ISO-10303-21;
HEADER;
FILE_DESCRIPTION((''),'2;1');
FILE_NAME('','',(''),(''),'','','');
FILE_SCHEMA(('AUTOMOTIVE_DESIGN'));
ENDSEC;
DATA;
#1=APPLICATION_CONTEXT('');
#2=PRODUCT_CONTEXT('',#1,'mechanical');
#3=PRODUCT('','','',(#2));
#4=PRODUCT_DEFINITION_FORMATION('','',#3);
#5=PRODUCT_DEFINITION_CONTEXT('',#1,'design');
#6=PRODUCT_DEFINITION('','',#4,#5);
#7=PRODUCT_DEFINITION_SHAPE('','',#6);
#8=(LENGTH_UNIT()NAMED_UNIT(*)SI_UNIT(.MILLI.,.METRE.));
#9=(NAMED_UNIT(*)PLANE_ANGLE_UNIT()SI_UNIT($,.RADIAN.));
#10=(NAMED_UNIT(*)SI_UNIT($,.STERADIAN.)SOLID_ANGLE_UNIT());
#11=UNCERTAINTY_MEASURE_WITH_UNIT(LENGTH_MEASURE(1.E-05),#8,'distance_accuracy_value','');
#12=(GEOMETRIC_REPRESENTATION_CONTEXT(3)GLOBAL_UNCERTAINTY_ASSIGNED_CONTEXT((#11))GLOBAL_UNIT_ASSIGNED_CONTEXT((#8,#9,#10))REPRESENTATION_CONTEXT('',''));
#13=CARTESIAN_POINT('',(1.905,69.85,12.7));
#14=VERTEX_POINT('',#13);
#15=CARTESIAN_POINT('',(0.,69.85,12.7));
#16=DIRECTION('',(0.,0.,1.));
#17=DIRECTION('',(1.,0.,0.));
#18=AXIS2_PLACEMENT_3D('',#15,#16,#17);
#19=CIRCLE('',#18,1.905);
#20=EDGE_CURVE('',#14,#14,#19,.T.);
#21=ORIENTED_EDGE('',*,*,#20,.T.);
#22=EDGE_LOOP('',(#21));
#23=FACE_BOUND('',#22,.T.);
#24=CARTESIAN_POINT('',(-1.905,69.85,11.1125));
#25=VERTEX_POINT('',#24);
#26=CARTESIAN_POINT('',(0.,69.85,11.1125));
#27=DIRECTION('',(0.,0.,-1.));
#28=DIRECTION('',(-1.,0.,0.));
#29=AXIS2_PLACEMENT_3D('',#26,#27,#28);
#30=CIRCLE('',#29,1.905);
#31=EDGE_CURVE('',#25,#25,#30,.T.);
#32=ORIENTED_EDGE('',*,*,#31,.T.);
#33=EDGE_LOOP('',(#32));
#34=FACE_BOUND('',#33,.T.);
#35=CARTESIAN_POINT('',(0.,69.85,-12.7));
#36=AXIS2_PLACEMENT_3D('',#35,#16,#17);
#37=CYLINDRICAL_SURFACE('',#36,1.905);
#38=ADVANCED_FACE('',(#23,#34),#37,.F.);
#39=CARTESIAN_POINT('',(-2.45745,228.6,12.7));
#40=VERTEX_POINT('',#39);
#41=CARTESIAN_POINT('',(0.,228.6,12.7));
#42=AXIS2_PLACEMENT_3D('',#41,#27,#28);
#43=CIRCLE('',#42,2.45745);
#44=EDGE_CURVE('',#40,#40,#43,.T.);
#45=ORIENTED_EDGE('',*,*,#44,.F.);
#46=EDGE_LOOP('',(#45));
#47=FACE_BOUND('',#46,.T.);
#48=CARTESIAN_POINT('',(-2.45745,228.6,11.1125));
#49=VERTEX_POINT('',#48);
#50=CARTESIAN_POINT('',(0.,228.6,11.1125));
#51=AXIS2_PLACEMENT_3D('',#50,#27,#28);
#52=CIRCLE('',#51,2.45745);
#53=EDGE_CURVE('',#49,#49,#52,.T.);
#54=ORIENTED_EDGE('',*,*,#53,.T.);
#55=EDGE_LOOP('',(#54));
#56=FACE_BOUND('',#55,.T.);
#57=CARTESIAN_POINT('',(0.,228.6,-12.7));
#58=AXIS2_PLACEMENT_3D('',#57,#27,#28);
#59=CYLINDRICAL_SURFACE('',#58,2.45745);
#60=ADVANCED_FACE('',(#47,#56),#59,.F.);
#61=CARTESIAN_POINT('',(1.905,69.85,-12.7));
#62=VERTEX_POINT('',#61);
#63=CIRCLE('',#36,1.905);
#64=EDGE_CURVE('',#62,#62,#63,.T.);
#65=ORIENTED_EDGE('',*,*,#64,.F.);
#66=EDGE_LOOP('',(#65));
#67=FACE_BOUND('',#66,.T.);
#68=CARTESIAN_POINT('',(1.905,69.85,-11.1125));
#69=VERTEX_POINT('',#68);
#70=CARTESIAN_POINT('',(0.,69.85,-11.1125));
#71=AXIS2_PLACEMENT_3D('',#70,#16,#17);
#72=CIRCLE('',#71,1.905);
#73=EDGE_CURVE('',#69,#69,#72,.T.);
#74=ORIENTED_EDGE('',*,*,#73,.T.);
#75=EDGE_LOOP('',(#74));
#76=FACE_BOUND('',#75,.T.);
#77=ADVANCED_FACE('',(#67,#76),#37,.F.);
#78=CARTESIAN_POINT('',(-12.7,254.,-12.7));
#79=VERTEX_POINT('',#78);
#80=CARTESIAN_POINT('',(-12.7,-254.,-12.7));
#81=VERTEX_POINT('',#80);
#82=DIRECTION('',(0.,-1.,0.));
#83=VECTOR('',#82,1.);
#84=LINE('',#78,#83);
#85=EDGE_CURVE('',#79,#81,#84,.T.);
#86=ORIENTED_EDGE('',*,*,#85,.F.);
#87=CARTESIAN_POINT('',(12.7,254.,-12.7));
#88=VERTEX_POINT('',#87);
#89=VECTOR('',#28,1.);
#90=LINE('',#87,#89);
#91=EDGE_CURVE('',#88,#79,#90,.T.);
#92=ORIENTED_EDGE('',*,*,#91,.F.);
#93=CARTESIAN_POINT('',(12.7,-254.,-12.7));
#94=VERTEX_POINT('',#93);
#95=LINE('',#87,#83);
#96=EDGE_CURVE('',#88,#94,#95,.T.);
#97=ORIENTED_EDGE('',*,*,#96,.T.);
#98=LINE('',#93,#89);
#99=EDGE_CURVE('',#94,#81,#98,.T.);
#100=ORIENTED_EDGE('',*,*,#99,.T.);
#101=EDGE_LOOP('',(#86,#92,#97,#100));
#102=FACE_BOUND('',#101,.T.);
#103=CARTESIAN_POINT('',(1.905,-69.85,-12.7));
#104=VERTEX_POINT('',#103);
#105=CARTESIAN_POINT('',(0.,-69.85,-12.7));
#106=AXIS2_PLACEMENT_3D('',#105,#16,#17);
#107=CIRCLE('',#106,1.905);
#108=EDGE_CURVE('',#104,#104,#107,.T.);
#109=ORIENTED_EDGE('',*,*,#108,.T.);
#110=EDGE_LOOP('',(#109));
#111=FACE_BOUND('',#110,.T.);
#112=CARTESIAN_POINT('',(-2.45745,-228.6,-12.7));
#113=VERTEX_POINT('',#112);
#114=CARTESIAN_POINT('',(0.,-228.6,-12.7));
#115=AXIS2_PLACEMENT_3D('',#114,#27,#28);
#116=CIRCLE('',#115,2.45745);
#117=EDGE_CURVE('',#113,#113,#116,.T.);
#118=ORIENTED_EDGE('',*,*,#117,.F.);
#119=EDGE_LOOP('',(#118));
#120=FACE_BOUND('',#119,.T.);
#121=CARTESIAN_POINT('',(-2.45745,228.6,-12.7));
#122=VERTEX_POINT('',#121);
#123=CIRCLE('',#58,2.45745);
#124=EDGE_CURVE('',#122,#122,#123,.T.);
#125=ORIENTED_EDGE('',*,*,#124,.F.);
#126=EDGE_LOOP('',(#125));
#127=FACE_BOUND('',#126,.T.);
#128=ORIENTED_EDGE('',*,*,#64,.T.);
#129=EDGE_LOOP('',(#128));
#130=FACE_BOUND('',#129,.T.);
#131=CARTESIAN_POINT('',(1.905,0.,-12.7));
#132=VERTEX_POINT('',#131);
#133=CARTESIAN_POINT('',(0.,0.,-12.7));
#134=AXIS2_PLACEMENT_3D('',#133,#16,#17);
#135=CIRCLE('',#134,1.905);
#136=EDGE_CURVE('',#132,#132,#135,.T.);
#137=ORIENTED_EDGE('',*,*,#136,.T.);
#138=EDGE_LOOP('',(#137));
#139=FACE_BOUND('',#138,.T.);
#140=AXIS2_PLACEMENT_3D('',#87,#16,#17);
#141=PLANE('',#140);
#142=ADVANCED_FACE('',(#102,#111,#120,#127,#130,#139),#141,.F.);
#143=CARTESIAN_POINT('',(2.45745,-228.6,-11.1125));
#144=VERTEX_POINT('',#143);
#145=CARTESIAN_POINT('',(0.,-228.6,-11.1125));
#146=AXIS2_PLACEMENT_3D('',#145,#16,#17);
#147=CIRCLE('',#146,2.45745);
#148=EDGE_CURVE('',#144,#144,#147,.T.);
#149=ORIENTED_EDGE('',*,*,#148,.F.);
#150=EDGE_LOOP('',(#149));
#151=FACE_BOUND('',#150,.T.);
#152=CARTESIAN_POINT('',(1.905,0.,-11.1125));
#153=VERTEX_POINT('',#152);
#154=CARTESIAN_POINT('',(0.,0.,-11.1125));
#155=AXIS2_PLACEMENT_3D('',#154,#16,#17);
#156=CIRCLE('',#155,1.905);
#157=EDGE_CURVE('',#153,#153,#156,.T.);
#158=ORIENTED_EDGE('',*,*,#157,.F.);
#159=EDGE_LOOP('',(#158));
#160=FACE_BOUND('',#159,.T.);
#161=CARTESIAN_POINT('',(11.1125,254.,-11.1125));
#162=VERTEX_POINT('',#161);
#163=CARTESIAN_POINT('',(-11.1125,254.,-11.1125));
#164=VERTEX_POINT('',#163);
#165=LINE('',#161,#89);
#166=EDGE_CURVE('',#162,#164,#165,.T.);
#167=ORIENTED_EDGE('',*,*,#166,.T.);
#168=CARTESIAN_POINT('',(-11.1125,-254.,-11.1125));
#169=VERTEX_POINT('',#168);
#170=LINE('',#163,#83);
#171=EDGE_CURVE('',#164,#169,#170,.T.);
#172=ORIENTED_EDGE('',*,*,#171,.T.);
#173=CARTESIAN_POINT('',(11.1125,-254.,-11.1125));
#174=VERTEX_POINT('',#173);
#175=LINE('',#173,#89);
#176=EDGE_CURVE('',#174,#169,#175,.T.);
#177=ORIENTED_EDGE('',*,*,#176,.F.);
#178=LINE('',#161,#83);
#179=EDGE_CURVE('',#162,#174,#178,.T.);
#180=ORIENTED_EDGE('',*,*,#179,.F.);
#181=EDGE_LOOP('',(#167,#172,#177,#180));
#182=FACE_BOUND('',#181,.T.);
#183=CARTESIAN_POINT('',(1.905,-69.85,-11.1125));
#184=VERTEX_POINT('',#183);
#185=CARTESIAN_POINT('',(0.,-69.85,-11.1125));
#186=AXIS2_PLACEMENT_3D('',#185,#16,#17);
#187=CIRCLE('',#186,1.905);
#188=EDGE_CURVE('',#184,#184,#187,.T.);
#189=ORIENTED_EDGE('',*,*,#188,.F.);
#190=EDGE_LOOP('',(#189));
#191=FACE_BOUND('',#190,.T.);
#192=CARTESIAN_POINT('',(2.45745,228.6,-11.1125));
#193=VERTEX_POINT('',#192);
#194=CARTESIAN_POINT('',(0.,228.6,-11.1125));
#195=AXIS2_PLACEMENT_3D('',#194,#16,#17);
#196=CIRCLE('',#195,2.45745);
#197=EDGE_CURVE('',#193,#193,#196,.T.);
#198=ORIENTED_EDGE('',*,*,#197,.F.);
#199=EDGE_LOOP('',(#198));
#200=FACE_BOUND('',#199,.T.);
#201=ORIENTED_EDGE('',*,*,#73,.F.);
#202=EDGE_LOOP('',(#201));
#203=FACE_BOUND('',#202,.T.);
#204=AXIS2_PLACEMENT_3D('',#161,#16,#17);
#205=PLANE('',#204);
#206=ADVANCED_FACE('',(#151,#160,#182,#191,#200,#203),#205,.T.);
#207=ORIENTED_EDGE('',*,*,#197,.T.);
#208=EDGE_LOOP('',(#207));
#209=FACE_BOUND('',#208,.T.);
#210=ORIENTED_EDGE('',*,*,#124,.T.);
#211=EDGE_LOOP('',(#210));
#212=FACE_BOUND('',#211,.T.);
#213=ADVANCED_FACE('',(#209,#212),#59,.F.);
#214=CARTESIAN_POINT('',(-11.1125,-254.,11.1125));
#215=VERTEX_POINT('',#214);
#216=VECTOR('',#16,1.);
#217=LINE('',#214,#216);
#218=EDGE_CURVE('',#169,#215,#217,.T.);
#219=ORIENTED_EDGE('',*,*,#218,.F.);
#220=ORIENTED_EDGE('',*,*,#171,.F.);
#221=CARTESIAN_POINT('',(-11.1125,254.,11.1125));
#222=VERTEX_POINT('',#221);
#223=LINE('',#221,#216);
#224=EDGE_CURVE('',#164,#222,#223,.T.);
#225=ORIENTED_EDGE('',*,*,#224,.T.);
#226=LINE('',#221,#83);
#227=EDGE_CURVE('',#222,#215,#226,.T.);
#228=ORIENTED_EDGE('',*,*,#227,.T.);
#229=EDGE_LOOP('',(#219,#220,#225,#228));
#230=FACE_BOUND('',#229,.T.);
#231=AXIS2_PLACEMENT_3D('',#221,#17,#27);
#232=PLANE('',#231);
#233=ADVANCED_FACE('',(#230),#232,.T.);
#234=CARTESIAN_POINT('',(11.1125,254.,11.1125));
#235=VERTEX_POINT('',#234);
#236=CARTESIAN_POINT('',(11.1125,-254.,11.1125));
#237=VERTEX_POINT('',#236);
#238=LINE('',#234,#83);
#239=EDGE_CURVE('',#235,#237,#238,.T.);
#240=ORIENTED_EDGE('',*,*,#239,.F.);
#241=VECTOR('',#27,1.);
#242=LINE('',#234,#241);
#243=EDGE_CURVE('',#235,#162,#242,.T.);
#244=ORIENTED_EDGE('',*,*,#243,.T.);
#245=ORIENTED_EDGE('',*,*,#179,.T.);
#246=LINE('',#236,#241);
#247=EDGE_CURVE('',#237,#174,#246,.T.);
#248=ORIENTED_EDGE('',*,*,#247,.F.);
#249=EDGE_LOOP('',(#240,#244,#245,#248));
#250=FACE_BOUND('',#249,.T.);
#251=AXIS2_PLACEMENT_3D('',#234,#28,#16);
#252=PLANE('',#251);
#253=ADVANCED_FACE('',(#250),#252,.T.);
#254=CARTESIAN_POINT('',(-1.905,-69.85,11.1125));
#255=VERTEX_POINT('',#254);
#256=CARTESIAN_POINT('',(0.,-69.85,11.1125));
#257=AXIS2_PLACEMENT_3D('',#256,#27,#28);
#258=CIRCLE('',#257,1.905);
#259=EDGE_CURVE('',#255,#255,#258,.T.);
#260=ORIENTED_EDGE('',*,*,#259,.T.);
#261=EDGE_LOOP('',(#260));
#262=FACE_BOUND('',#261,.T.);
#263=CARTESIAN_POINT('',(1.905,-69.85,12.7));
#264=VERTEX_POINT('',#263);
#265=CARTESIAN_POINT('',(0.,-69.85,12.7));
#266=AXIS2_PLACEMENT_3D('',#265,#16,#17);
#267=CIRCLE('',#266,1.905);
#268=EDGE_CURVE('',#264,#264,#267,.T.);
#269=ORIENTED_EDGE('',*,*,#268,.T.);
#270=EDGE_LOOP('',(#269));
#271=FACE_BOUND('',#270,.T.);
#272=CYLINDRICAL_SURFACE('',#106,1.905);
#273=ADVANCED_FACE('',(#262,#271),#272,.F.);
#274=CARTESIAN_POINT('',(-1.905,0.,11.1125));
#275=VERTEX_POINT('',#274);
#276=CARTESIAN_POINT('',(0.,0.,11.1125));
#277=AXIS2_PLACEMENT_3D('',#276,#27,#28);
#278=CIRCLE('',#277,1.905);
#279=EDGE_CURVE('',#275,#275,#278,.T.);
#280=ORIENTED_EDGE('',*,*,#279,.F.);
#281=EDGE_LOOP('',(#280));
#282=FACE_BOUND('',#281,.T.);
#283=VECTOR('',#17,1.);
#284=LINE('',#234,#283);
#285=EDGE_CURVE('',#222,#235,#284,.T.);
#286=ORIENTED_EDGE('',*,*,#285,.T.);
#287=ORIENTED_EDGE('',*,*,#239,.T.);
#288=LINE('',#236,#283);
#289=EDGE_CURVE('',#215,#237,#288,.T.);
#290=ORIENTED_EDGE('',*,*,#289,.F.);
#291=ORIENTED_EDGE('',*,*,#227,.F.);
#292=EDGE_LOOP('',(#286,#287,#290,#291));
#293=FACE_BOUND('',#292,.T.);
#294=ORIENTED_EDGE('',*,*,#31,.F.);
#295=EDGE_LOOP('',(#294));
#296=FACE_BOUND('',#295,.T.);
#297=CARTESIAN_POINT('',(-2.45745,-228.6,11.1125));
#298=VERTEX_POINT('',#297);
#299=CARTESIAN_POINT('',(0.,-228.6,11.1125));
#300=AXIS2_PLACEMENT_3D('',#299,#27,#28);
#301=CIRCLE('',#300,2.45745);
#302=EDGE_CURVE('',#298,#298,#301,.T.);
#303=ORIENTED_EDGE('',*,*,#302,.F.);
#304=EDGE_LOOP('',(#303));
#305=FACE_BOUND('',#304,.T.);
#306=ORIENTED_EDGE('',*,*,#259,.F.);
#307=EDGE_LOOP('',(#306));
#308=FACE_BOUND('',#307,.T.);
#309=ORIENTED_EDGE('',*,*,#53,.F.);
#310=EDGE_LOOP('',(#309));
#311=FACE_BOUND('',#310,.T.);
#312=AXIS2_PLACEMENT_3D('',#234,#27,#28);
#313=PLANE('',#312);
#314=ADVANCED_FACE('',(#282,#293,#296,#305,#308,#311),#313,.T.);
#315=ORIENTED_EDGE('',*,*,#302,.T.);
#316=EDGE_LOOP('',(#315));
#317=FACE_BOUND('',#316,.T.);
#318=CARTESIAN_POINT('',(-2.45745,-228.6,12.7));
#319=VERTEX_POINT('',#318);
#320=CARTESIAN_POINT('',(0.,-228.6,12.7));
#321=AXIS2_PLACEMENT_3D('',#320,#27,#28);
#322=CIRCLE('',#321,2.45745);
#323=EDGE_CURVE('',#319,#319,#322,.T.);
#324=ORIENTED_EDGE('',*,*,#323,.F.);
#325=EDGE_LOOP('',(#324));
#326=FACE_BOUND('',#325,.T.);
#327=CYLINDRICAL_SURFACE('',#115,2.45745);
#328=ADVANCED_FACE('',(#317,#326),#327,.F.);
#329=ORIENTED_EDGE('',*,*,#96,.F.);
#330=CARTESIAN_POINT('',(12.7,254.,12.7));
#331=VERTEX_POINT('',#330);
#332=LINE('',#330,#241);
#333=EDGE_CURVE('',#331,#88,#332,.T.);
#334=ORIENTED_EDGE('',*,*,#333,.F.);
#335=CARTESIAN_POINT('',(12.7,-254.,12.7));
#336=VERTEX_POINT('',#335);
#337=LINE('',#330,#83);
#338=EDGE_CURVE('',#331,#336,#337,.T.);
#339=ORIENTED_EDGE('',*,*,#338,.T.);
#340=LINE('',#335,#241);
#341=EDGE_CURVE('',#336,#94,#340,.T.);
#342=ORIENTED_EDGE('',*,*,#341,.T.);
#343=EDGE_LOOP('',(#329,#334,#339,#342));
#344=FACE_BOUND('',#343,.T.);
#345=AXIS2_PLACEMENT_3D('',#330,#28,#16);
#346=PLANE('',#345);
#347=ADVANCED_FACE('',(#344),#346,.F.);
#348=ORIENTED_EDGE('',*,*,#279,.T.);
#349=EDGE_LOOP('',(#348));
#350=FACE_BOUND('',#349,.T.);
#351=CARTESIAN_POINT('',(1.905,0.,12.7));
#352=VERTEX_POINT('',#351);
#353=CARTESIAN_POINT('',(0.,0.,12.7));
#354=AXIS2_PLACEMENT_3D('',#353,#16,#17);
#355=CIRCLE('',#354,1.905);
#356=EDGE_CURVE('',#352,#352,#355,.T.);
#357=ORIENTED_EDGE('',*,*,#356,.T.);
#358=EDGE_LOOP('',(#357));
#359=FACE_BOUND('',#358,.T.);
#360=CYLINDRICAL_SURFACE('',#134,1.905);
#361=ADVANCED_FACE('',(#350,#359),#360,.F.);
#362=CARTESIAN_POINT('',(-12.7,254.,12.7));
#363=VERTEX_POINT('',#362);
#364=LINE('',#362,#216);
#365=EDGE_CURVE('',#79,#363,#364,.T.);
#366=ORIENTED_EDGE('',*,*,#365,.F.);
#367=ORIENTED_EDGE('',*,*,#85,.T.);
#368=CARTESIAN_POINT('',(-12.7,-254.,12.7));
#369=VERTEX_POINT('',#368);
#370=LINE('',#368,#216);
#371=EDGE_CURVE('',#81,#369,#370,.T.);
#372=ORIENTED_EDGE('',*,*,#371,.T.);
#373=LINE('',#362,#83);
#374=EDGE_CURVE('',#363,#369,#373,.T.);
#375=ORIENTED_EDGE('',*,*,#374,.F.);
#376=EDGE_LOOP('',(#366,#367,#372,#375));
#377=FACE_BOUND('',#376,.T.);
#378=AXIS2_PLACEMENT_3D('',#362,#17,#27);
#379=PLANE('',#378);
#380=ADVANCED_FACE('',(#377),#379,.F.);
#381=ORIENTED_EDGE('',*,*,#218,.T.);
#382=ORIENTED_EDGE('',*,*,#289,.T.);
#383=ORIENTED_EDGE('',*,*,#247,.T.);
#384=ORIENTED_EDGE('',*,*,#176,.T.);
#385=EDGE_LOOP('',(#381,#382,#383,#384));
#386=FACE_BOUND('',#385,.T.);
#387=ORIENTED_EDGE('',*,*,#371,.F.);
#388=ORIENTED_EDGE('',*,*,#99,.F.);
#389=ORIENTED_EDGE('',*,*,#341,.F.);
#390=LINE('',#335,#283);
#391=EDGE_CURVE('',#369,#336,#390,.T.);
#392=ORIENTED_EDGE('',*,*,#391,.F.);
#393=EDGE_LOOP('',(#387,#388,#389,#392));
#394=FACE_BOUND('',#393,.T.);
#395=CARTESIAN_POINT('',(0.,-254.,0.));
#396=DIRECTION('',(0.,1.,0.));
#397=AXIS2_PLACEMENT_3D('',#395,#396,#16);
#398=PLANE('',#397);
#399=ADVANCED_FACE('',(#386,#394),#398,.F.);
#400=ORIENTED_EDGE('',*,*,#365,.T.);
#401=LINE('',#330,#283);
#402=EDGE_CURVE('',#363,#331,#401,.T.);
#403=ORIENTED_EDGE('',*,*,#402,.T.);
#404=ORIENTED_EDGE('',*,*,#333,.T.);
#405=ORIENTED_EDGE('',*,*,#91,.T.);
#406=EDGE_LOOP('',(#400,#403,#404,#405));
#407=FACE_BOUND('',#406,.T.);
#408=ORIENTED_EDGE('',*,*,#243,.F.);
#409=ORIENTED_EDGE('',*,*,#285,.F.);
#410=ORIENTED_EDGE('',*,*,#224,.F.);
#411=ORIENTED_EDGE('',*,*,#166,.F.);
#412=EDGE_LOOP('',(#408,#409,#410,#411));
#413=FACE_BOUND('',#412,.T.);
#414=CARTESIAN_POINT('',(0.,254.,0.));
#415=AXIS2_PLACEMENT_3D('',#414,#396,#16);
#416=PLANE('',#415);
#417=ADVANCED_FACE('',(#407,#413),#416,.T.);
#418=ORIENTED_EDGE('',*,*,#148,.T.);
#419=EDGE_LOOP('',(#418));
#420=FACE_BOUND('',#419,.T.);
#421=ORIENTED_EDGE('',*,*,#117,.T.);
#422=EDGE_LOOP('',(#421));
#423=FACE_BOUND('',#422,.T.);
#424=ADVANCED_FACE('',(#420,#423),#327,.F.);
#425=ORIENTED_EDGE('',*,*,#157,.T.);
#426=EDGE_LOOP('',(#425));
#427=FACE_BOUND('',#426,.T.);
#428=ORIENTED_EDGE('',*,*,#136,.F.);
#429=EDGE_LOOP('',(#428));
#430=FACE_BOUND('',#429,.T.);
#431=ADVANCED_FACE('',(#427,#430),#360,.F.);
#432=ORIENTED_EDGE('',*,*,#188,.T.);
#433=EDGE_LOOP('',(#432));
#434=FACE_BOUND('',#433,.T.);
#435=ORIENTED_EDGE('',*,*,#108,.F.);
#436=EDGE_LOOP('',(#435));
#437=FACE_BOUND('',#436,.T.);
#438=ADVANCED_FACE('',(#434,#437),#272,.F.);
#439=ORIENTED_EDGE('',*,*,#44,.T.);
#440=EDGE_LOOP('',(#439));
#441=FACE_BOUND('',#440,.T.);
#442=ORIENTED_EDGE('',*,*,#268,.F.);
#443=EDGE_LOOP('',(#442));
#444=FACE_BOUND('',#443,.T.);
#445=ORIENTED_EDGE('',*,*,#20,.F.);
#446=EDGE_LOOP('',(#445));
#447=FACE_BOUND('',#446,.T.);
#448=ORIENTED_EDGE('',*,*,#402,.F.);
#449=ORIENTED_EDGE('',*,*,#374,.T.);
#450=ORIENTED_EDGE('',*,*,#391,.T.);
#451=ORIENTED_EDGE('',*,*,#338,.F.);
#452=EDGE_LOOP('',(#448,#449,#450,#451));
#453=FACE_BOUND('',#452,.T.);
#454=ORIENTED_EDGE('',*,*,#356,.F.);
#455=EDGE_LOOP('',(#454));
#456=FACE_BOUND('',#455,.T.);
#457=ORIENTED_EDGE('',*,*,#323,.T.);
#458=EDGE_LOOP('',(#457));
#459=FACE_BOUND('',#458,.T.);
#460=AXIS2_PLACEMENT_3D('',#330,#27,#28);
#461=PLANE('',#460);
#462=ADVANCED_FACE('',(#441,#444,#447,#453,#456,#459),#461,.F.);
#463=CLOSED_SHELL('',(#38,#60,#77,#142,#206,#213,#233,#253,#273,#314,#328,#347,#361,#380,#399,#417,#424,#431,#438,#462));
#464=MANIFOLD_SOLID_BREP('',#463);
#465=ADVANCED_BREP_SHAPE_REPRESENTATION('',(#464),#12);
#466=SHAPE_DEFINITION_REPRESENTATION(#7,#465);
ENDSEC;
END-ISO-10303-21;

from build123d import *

# Parameters (mm, degrees)
SKETCH1_W                        = 25.4
SKETCH1_H                        = 25.4
SKETCH1_W_2                      = 22.225
SKETCH1_H_2                      = 22.225
BOSS_EXTRUDE1_DEPTH              = 254
F_10_0_1935_DIAMETER_HOLE1_D     = 4.9149
F_10_0_1935_DIAMETER_HOLE1_DEPTH = 50.8
F_10_0_1935_DIAMETER_HOLE1_TIP   = 1.476584928
SKETCH6_R                        = 1.905
CUT_EXTRUDE1_DEPTH               = 256.582569828


with BuildPart() as part:
    # Sketch1 → Boss-Extrude1 (new, symmetric)
    with BuildSketch(Plane(origin=(0, 0, 0), x_dir=(1, 0, 0), z_dir=(0, 1, 0))):
        Rectangle(SKETCH1_W, SKETCH1_H)
        Rectangle(SKETCH1_W_2, SKETCH1_H_2, mode=Mode.SUBTRACT)
    extrude(amount=BOSS_EXTRUDE1_DEPTH, both=True)

    # #10 (0.1935) Diameter Hole1
    with Locations(Plane(origin=(0, 0, -12.7), x_dir=(-1, 0, 0), z_dir=(0, 0, -1))):
        with Locations((0, 228.6), (0, -228.6)):
            Hole(F_10_0_1935_DIAMETER_HOLE1_D / 2, depth=F_10_0_1935_DIAMETER_HOLE1_DEPTH)
            with Locations((0, 0, -(F_10_0_1935_DIAMETER_HOLE1_DEPTH + F_10_0_1935_DIAMETER_HOLE1_TIP / 2))):  # 118° drill point
                Cone(0, F_10_0_1935_DIAMETER_HOLE1_D / 2, F_10_0_1935_DIAMETER_HOLE1_TIP, mode=Mode.SUBTRACT)

    # Sketch6 → Cut-Extrude1 (cut, through all)
    with BuildSketch(Plane.XY.offset(12.7)):
        with Locations((0, -69.85)):
            Circle(SKETCH6_R)
        Circle(SKETCH6_R)
        with Locations((0, 69.85)):
            Circle(SKETCH6_R)
    extrude(amount=-CUT_EXTRUDE1_DEPTH, mode=Mode.SUBTRACT)


solid = part.part
